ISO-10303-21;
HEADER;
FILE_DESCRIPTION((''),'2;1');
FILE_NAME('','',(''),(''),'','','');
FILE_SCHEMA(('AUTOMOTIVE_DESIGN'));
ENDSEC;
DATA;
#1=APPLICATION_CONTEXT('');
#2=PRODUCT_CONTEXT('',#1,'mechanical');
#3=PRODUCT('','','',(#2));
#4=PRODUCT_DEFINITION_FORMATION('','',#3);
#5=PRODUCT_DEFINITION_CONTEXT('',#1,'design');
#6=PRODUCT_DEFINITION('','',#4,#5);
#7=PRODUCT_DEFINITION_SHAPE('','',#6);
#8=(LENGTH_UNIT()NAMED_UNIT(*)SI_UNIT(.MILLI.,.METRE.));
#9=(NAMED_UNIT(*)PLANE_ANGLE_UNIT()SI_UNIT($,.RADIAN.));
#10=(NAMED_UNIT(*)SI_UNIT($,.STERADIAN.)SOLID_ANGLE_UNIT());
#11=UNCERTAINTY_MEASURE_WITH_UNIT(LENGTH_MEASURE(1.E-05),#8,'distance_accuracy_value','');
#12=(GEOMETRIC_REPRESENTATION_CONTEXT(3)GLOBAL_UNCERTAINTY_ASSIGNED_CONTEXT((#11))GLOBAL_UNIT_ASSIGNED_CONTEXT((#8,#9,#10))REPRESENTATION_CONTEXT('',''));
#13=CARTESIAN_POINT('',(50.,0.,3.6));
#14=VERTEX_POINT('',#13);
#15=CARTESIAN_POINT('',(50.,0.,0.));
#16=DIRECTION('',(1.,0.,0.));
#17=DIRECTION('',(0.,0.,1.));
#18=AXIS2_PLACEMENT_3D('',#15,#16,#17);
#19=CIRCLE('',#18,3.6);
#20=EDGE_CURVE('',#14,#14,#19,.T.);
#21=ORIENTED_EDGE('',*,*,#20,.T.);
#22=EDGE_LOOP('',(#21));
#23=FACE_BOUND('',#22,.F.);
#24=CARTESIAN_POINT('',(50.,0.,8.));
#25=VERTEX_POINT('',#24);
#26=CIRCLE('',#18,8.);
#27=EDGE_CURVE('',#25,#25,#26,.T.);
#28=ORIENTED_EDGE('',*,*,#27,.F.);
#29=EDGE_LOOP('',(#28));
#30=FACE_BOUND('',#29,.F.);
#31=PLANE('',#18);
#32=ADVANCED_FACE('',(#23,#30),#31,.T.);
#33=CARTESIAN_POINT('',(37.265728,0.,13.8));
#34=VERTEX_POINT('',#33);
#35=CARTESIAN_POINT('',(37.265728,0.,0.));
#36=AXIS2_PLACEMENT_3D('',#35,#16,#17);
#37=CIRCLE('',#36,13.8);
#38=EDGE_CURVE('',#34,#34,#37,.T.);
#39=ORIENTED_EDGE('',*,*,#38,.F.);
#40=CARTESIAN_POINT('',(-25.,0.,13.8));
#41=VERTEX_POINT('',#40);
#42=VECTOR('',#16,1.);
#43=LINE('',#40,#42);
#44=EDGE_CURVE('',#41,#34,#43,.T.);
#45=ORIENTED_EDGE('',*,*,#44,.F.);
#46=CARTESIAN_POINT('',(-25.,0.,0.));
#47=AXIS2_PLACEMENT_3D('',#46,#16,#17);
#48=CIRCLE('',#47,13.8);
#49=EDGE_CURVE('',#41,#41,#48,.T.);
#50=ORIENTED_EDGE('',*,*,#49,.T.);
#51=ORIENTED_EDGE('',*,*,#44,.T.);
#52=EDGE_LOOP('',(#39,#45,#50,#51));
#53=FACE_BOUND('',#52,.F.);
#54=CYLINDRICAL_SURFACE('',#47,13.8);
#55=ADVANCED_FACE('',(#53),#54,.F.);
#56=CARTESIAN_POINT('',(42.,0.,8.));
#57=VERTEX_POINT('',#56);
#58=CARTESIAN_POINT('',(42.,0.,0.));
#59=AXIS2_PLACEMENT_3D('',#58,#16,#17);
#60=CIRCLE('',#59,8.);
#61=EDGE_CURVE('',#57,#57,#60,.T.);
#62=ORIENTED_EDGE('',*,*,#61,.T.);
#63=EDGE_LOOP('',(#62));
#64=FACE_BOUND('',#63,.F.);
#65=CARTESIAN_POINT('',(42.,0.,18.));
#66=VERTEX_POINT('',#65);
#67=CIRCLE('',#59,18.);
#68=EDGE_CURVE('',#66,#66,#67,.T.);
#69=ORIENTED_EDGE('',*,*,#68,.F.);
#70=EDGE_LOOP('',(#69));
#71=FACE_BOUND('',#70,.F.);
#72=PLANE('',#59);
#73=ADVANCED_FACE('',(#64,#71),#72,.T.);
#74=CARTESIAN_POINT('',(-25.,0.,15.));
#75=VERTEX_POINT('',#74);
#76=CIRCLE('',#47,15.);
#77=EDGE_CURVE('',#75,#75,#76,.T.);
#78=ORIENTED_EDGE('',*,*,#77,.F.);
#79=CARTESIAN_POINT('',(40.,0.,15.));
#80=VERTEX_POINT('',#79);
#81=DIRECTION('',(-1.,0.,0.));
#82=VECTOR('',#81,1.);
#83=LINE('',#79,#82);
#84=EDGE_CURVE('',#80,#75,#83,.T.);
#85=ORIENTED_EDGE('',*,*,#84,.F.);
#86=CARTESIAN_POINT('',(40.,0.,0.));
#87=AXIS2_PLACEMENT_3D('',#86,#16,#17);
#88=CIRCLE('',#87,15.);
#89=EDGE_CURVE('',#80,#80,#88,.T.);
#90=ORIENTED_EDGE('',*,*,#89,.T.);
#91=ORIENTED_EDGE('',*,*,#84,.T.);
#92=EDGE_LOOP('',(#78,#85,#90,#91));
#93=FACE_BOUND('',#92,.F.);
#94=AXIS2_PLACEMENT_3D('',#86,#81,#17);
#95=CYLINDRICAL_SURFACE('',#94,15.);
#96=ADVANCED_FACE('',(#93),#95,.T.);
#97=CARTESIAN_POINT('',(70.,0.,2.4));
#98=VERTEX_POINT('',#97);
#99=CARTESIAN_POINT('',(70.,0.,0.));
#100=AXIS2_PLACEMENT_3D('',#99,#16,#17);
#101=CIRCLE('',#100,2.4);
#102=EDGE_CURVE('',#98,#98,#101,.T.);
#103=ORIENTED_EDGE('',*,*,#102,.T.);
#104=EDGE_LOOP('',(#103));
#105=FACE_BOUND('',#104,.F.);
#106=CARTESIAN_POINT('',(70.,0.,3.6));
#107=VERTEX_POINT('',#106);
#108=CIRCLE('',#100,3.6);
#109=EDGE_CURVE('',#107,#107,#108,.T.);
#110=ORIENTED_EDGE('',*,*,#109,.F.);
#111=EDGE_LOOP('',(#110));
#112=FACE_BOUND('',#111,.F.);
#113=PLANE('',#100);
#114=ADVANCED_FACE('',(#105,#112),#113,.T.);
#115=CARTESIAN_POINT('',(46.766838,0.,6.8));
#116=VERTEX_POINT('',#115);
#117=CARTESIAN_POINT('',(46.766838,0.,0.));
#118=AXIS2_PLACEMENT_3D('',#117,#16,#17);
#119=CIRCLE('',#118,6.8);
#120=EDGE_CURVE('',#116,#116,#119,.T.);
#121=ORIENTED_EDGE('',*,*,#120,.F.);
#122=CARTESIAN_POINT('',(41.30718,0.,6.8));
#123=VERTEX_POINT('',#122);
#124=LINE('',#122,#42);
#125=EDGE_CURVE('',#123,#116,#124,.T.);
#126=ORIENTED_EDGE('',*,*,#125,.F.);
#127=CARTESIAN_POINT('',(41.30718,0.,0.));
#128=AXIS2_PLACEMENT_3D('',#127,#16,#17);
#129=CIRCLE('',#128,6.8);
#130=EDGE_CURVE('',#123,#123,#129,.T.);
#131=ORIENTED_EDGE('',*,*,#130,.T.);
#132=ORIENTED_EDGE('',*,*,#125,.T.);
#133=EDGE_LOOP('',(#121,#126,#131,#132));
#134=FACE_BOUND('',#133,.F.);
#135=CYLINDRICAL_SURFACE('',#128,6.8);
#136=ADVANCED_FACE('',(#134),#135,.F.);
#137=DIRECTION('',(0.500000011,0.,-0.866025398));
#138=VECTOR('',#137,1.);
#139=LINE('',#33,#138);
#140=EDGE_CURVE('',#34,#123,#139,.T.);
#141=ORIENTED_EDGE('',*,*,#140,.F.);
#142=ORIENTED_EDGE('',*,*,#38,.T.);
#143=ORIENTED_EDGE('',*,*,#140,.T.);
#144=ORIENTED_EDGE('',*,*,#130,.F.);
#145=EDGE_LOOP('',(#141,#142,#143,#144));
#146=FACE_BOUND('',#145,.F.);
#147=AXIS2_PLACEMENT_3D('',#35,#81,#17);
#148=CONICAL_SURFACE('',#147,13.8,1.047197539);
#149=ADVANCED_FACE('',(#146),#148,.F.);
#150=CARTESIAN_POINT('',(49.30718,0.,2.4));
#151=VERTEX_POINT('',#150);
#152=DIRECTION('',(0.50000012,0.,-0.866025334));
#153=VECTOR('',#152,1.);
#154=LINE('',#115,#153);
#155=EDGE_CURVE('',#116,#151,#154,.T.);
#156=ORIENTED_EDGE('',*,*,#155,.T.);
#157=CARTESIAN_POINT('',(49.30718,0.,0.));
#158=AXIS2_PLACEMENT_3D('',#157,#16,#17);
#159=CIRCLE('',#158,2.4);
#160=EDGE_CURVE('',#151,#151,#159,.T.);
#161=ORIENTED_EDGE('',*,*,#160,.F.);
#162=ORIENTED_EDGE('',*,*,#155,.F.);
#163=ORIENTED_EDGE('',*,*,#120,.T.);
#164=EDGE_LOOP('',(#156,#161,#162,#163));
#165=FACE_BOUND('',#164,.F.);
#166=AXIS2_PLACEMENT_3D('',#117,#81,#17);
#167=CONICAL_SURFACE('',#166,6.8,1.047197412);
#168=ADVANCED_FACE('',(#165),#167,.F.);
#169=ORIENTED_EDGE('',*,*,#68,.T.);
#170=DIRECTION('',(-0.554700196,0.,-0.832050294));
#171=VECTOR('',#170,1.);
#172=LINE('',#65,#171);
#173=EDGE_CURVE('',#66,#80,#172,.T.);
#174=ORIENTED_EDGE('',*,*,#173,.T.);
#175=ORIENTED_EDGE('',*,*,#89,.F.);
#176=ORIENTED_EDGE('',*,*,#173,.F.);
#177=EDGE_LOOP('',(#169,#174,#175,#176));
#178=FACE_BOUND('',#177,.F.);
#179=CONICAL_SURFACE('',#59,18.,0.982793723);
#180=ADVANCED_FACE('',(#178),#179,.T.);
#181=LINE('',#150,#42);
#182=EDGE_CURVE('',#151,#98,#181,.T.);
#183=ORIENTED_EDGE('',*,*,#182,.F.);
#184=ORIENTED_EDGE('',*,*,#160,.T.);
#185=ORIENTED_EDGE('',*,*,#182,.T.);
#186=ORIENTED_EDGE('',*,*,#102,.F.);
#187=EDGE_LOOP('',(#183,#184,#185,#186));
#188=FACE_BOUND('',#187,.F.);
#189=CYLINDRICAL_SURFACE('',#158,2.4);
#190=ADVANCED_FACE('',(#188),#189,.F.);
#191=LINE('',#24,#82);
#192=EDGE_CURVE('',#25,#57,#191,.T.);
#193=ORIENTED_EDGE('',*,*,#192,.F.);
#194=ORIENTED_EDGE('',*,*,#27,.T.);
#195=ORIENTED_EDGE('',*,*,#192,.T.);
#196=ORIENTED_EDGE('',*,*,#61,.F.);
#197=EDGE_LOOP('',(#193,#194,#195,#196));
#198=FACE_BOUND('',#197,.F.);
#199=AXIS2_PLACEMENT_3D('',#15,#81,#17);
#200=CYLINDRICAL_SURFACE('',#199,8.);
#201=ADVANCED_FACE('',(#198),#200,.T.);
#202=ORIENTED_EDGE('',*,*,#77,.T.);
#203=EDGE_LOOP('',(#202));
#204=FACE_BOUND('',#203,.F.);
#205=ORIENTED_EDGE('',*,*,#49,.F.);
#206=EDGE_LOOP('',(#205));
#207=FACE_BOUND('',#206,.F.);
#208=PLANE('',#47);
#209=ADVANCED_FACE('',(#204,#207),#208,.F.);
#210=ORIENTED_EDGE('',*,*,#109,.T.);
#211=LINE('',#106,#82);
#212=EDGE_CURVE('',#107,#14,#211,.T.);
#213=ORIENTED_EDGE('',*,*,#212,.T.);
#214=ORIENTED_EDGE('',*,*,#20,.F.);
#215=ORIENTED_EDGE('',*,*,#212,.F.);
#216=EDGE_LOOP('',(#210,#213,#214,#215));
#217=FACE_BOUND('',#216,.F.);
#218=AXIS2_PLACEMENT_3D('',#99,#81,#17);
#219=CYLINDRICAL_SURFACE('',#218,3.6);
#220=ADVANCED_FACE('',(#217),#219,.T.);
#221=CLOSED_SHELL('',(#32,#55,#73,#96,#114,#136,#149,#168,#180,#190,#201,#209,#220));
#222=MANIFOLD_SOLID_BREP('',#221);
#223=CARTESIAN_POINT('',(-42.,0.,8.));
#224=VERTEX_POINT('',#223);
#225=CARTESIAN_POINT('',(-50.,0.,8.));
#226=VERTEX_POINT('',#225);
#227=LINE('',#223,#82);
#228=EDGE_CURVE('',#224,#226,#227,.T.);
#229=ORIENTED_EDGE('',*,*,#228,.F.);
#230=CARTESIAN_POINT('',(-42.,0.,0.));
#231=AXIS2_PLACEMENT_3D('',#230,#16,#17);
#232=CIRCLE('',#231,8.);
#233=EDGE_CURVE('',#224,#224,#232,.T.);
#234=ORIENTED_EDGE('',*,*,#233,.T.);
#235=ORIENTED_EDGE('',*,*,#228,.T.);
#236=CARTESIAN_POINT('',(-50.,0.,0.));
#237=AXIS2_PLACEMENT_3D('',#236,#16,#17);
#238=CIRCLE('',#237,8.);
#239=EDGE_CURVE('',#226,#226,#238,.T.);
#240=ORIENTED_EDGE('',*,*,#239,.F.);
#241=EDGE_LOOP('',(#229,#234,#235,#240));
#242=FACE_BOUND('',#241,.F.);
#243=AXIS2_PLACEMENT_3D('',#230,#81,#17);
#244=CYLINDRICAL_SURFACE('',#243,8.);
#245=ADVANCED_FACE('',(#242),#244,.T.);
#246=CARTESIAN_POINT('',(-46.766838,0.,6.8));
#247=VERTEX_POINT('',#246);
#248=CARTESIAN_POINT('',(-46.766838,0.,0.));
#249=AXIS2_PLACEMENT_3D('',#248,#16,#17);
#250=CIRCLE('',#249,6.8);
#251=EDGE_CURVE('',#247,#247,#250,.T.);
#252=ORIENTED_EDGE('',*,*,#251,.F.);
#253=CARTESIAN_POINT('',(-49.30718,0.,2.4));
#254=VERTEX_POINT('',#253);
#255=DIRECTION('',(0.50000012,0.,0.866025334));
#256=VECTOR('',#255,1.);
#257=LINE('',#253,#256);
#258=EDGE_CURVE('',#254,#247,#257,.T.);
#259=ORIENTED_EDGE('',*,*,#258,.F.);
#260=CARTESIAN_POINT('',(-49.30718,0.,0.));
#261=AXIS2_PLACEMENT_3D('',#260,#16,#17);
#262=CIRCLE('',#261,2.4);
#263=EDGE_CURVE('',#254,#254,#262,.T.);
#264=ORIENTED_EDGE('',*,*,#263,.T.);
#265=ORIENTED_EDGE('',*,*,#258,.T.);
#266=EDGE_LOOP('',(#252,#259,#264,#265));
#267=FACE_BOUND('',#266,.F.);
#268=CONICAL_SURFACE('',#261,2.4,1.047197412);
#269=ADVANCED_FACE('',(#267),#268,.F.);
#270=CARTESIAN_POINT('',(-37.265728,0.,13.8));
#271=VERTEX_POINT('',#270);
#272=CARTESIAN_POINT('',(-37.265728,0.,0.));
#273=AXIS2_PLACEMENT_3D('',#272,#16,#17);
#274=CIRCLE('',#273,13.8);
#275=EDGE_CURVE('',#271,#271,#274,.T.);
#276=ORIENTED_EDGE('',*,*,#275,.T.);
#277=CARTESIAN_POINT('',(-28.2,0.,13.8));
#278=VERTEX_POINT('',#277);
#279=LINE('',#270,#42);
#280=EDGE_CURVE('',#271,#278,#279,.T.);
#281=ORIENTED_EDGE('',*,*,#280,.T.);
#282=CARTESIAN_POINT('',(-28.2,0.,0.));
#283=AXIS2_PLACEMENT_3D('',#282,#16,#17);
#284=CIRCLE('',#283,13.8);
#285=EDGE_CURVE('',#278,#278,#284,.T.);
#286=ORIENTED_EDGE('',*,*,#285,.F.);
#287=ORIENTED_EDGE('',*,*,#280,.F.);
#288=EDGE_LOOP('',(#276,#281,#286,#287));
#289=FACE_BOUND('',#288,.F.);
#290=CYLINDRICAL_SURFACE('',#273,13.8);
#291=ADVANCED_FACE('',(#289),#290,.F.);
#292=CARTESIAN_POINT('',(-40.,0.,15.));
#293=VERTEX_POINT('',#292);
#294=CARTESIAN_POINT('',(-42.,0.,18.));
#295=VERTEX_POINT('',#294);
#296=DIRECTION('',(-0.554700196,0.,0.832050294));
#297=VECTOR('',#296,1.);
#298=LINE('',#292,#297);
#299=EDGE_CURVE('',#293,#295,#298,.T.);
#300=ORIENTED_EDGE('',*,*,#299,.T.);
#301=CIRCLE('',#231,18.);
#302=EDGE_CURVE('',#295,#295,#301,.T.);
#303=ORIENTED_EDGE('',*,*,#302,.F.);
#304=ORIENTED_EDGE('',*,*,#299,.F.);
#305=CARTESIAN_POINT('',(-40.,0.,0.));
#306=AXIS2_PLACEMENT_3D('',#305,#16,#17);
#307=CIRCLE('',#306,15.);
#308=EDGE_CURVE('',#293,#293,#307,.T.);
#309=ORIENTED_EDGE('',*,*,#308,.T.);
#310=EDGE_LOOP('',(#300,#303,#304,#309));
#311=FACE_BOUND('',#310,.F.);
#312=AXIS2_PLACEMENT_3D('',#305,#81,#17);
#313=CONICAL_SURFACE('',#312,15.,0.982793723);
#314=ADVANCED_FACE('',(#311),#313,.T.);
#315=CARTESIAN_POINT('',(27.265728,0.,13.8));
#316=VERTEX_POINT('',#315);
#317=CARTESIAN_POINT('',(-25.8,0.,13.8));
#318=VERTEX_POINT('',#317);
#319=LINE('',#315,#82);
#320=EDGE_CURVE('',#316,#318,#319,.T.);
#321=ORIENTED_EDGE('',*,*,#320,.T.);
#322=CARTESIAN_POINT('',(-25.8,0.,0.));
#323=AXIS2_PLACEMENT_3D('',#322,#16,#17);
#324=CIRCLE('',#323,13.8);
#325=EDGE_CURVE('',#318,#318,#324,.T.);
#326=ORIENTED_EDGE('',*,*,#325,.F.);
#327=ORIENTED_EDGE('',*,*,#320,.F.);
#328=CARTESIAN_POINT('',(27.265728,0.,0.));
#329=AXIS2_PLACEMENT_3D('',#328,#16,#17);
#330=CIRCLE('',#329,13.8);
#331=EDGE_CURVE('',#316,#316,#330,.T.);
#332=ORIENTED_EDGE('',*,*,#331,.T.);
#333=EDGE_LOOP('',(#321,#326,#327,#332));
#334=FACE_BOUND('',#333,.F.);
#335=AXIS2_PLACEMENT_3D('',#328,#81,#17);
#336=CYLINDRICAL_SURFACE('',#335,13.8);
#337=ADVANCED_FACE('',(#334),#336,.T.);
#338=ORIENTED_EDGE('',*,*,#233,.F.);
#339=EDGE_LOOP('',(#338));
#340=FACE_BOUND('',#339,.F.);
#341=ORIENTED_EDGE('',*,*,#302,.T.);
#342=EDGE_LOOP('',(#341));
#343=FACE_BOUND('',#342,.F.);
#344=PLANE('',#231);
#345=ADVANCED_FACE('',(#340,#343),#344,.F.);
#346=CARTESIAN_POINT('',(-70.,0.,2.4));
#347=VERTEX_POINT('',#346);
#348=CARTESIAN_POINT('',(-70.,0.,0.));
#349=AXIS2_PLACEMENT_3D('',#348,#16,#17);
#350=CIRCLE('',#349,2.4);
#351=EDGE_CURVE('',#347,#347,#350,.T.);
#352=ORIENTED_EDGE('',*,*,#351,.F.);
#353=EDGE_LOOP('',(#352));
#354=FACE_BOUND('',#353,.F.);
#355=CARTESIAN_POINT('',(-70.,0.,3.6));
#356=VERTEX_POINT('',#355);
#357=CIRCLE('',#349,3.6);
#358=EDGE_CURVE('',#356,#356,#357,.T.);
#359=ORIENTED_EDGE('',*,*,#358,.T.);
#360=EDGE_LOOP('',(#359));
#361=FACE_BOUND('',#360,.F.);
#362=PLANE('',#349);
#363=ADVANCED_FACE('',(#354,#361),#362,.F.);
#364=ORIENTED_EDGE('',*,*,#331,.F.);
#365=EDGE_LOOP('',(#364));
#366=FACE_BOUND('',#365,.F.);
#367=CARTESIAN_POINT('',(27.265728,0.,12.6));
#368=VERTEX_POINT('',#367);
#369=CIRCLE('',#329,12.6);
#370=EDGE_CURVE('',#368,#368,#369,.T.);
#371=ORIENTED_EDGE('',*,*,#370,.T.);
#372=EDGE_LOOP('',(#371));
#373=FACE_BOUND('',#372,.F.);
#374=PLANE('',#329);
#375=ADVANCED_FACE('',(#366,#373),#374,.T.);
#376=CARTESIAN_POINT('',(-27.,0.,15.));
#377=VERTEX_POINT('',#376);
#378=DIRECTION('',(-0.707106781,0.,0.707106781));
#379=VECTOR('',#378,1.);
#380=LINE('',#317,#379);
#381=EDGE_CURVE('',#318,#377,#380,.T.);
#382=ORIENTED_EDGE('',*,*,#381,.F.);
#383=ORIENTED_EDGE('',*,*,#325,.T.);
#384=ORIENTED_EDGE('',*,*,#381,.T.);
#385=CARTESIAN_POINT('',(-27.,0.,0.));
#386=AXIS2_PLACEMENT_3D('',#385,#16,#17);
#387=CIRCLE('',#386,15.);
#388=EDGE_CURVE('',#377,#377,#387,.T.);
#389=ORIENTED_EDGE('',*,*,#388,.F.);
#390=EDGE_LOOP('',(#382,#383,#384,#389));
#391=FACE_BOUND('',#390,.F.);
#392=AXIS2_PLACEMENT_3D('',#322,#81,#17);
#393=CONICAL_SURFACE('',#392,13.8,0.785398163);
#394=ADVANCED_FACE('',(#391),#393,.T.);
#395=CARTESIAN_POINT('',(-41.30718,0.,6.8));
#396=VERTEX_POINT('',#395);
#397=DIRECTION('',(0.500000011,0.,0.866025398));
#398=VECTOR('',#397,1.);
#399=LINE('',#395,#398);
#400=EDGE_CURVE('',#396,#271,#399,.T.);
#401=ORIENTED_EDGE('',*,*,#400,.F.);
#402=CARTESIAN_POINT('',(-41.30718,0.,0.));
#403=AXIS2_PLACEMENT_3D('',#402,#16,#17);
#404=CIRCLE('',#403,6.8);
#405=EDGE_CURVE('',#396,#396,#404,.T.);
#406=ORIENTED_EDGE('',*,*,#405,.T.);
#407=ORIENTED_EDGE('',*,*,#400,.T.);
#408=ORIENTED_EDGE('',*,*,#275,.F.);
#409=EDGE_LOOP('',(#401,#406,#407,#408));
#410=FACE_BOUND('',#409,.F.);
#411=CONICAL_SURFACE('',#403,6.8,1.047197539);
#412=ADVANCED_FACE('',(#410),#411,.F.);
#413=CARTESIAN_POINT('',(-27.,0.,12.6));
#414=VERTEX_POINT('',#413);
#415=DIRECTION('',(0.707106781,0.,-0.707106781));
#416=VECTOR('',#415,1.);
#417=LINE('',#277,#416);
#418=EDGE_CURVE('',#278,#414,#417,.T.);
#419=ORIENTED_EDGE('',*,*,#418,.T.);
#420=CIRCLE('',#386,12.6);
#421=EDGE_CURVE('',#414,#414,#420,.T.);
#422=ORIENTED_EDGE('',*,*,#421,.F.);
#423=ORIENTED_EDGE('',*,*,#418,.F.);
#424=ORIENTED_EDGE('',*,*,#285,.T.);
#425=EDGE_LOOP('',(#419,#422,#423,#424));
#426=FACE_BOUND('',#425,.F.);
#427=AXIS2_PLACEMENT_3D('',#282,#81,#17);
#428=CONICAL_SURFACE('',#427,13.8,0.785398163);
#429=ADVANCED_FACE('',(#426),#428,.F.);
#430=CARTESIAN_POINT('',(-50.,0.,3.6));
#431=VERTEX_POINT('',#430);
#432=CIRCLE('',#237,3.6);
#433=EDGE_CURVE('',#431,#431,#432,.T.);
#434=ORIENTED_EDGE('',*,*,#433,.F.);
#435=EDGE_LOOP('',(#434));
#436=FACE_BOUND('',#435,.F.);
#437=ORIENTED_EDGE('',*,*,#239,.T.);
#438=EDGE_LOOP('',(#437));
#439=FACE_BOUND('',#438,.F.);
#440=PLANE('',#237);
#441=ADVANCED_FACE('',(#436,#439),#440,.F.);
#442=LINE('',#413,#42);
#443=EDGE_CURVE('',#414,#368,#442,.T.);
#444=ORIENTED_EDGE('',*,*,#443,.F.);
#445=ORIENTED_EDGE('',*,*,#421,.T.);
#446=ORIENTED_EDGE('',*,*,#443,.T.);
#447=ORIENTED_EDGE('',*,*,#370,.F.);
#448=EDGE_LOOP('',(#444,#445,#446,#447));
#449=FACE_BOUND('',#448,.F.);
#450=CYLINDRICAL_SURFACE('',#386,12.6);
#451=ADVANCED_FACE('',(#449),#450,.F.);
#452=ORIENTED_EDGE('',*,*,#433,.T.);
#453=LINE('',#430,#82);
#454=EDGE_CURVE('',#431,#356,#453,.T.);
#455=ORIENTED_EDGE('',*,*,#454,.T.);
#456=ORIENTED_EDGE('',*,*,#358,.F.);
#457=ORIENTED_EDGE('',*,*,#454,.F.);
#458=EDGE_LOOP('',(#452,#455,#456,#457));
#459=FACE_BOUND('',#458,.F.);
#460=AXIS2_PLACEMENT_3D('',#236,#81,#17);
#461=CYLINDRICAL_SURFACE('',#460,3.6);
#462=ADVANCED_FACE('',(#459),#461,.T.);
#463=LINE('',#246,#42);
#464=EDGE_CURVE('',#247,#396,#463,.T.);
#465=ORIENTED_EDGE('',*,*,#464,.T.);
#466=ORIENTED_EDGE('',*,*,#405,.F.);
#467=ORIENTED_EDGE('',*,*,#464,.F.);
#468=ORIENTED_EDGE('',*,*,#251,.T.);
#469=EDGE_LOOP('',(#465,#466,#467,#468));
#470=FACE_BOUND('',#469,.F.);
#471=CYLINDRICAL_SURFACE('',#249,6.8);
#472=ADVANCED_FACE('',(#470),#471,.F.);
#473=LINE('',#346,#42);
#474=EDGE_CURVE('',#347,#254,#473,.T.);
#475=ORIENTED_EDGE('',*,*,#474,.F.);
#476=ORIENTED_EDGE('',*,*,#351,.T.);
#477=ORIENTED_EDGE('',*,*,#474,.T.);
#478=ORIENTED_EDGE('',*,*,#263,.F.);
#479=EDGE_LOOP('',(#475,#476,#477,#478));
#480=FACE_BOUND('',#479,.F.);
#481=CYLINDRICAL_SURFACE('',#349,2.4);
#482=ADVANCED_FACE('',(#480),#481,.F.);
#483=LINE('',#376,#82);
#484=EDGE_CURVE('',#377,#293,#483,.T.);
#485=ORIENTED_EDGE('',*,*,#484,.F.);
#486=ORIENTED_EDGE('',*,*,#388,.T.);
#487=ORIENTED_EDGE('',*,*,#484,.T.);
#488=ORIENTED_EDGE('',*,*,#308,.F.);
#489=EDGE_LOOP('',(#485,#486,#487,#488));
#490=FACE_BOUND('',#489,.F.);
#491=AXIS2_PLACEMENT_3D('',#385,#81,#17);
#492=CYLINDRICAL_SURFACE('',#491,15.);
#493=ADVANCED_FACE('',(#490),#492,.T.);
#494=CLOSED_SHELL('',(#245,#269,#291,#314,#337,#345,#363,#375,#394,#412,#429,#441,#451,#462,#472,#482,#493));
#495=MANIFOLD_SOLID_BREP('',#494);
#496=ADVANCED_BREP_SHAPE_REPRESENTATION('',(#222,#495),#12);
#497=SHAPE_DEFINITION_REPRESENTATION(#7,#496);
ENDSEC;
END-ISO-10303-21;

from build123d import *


with BuildPart() as f1:
    # F0 (on Front) → F1 (revolve)
    with BuildSketch(Plane.XZ):
        Polygon((70, 2.4), (70, 3.6), (50, 3.6), (50, 8), (42, 8), (42, 18), (40, 15), (-25, 15), (-25, 13.8), (37.265728, 13.8), (41.30718, 6.8), (46.766838, 6.8), (49.30718, 2.4), align=None)
    revolve(axis=Axis((37.433878, 0, 0), (1, 0, 0)))


with BuildPart() as f3:
    # F2 (on Front) → F3 (revolve)
    with BuildSketch(Plane.XZ):
        Polygon((-27, 15), (-40, 15), (-42, 18), (-42, 8), (-50, 8), (-50, 3.6), (-70, 3.6), (-70, 2.4), (-49.30718, 2.4), (-46.766838, 6.8), (-41.30718, 6.8), (-37.265728, 13.8), (-28.2, 13.8), align=None)
        Polygon((-25.8, 13.8), (-27, 15), (-28.2, 13.8), (-27, 12.6), align=None)
        Polygon((27.265728, 13.8), (-25.8, 13.8), (-27, 12.6), (27.265728, 12.6), align=None)
    revolve(axis=Axis((37.433878, 0, 0), (1, 0, 0)))


solid = Compound([f1.part, f3.part])
